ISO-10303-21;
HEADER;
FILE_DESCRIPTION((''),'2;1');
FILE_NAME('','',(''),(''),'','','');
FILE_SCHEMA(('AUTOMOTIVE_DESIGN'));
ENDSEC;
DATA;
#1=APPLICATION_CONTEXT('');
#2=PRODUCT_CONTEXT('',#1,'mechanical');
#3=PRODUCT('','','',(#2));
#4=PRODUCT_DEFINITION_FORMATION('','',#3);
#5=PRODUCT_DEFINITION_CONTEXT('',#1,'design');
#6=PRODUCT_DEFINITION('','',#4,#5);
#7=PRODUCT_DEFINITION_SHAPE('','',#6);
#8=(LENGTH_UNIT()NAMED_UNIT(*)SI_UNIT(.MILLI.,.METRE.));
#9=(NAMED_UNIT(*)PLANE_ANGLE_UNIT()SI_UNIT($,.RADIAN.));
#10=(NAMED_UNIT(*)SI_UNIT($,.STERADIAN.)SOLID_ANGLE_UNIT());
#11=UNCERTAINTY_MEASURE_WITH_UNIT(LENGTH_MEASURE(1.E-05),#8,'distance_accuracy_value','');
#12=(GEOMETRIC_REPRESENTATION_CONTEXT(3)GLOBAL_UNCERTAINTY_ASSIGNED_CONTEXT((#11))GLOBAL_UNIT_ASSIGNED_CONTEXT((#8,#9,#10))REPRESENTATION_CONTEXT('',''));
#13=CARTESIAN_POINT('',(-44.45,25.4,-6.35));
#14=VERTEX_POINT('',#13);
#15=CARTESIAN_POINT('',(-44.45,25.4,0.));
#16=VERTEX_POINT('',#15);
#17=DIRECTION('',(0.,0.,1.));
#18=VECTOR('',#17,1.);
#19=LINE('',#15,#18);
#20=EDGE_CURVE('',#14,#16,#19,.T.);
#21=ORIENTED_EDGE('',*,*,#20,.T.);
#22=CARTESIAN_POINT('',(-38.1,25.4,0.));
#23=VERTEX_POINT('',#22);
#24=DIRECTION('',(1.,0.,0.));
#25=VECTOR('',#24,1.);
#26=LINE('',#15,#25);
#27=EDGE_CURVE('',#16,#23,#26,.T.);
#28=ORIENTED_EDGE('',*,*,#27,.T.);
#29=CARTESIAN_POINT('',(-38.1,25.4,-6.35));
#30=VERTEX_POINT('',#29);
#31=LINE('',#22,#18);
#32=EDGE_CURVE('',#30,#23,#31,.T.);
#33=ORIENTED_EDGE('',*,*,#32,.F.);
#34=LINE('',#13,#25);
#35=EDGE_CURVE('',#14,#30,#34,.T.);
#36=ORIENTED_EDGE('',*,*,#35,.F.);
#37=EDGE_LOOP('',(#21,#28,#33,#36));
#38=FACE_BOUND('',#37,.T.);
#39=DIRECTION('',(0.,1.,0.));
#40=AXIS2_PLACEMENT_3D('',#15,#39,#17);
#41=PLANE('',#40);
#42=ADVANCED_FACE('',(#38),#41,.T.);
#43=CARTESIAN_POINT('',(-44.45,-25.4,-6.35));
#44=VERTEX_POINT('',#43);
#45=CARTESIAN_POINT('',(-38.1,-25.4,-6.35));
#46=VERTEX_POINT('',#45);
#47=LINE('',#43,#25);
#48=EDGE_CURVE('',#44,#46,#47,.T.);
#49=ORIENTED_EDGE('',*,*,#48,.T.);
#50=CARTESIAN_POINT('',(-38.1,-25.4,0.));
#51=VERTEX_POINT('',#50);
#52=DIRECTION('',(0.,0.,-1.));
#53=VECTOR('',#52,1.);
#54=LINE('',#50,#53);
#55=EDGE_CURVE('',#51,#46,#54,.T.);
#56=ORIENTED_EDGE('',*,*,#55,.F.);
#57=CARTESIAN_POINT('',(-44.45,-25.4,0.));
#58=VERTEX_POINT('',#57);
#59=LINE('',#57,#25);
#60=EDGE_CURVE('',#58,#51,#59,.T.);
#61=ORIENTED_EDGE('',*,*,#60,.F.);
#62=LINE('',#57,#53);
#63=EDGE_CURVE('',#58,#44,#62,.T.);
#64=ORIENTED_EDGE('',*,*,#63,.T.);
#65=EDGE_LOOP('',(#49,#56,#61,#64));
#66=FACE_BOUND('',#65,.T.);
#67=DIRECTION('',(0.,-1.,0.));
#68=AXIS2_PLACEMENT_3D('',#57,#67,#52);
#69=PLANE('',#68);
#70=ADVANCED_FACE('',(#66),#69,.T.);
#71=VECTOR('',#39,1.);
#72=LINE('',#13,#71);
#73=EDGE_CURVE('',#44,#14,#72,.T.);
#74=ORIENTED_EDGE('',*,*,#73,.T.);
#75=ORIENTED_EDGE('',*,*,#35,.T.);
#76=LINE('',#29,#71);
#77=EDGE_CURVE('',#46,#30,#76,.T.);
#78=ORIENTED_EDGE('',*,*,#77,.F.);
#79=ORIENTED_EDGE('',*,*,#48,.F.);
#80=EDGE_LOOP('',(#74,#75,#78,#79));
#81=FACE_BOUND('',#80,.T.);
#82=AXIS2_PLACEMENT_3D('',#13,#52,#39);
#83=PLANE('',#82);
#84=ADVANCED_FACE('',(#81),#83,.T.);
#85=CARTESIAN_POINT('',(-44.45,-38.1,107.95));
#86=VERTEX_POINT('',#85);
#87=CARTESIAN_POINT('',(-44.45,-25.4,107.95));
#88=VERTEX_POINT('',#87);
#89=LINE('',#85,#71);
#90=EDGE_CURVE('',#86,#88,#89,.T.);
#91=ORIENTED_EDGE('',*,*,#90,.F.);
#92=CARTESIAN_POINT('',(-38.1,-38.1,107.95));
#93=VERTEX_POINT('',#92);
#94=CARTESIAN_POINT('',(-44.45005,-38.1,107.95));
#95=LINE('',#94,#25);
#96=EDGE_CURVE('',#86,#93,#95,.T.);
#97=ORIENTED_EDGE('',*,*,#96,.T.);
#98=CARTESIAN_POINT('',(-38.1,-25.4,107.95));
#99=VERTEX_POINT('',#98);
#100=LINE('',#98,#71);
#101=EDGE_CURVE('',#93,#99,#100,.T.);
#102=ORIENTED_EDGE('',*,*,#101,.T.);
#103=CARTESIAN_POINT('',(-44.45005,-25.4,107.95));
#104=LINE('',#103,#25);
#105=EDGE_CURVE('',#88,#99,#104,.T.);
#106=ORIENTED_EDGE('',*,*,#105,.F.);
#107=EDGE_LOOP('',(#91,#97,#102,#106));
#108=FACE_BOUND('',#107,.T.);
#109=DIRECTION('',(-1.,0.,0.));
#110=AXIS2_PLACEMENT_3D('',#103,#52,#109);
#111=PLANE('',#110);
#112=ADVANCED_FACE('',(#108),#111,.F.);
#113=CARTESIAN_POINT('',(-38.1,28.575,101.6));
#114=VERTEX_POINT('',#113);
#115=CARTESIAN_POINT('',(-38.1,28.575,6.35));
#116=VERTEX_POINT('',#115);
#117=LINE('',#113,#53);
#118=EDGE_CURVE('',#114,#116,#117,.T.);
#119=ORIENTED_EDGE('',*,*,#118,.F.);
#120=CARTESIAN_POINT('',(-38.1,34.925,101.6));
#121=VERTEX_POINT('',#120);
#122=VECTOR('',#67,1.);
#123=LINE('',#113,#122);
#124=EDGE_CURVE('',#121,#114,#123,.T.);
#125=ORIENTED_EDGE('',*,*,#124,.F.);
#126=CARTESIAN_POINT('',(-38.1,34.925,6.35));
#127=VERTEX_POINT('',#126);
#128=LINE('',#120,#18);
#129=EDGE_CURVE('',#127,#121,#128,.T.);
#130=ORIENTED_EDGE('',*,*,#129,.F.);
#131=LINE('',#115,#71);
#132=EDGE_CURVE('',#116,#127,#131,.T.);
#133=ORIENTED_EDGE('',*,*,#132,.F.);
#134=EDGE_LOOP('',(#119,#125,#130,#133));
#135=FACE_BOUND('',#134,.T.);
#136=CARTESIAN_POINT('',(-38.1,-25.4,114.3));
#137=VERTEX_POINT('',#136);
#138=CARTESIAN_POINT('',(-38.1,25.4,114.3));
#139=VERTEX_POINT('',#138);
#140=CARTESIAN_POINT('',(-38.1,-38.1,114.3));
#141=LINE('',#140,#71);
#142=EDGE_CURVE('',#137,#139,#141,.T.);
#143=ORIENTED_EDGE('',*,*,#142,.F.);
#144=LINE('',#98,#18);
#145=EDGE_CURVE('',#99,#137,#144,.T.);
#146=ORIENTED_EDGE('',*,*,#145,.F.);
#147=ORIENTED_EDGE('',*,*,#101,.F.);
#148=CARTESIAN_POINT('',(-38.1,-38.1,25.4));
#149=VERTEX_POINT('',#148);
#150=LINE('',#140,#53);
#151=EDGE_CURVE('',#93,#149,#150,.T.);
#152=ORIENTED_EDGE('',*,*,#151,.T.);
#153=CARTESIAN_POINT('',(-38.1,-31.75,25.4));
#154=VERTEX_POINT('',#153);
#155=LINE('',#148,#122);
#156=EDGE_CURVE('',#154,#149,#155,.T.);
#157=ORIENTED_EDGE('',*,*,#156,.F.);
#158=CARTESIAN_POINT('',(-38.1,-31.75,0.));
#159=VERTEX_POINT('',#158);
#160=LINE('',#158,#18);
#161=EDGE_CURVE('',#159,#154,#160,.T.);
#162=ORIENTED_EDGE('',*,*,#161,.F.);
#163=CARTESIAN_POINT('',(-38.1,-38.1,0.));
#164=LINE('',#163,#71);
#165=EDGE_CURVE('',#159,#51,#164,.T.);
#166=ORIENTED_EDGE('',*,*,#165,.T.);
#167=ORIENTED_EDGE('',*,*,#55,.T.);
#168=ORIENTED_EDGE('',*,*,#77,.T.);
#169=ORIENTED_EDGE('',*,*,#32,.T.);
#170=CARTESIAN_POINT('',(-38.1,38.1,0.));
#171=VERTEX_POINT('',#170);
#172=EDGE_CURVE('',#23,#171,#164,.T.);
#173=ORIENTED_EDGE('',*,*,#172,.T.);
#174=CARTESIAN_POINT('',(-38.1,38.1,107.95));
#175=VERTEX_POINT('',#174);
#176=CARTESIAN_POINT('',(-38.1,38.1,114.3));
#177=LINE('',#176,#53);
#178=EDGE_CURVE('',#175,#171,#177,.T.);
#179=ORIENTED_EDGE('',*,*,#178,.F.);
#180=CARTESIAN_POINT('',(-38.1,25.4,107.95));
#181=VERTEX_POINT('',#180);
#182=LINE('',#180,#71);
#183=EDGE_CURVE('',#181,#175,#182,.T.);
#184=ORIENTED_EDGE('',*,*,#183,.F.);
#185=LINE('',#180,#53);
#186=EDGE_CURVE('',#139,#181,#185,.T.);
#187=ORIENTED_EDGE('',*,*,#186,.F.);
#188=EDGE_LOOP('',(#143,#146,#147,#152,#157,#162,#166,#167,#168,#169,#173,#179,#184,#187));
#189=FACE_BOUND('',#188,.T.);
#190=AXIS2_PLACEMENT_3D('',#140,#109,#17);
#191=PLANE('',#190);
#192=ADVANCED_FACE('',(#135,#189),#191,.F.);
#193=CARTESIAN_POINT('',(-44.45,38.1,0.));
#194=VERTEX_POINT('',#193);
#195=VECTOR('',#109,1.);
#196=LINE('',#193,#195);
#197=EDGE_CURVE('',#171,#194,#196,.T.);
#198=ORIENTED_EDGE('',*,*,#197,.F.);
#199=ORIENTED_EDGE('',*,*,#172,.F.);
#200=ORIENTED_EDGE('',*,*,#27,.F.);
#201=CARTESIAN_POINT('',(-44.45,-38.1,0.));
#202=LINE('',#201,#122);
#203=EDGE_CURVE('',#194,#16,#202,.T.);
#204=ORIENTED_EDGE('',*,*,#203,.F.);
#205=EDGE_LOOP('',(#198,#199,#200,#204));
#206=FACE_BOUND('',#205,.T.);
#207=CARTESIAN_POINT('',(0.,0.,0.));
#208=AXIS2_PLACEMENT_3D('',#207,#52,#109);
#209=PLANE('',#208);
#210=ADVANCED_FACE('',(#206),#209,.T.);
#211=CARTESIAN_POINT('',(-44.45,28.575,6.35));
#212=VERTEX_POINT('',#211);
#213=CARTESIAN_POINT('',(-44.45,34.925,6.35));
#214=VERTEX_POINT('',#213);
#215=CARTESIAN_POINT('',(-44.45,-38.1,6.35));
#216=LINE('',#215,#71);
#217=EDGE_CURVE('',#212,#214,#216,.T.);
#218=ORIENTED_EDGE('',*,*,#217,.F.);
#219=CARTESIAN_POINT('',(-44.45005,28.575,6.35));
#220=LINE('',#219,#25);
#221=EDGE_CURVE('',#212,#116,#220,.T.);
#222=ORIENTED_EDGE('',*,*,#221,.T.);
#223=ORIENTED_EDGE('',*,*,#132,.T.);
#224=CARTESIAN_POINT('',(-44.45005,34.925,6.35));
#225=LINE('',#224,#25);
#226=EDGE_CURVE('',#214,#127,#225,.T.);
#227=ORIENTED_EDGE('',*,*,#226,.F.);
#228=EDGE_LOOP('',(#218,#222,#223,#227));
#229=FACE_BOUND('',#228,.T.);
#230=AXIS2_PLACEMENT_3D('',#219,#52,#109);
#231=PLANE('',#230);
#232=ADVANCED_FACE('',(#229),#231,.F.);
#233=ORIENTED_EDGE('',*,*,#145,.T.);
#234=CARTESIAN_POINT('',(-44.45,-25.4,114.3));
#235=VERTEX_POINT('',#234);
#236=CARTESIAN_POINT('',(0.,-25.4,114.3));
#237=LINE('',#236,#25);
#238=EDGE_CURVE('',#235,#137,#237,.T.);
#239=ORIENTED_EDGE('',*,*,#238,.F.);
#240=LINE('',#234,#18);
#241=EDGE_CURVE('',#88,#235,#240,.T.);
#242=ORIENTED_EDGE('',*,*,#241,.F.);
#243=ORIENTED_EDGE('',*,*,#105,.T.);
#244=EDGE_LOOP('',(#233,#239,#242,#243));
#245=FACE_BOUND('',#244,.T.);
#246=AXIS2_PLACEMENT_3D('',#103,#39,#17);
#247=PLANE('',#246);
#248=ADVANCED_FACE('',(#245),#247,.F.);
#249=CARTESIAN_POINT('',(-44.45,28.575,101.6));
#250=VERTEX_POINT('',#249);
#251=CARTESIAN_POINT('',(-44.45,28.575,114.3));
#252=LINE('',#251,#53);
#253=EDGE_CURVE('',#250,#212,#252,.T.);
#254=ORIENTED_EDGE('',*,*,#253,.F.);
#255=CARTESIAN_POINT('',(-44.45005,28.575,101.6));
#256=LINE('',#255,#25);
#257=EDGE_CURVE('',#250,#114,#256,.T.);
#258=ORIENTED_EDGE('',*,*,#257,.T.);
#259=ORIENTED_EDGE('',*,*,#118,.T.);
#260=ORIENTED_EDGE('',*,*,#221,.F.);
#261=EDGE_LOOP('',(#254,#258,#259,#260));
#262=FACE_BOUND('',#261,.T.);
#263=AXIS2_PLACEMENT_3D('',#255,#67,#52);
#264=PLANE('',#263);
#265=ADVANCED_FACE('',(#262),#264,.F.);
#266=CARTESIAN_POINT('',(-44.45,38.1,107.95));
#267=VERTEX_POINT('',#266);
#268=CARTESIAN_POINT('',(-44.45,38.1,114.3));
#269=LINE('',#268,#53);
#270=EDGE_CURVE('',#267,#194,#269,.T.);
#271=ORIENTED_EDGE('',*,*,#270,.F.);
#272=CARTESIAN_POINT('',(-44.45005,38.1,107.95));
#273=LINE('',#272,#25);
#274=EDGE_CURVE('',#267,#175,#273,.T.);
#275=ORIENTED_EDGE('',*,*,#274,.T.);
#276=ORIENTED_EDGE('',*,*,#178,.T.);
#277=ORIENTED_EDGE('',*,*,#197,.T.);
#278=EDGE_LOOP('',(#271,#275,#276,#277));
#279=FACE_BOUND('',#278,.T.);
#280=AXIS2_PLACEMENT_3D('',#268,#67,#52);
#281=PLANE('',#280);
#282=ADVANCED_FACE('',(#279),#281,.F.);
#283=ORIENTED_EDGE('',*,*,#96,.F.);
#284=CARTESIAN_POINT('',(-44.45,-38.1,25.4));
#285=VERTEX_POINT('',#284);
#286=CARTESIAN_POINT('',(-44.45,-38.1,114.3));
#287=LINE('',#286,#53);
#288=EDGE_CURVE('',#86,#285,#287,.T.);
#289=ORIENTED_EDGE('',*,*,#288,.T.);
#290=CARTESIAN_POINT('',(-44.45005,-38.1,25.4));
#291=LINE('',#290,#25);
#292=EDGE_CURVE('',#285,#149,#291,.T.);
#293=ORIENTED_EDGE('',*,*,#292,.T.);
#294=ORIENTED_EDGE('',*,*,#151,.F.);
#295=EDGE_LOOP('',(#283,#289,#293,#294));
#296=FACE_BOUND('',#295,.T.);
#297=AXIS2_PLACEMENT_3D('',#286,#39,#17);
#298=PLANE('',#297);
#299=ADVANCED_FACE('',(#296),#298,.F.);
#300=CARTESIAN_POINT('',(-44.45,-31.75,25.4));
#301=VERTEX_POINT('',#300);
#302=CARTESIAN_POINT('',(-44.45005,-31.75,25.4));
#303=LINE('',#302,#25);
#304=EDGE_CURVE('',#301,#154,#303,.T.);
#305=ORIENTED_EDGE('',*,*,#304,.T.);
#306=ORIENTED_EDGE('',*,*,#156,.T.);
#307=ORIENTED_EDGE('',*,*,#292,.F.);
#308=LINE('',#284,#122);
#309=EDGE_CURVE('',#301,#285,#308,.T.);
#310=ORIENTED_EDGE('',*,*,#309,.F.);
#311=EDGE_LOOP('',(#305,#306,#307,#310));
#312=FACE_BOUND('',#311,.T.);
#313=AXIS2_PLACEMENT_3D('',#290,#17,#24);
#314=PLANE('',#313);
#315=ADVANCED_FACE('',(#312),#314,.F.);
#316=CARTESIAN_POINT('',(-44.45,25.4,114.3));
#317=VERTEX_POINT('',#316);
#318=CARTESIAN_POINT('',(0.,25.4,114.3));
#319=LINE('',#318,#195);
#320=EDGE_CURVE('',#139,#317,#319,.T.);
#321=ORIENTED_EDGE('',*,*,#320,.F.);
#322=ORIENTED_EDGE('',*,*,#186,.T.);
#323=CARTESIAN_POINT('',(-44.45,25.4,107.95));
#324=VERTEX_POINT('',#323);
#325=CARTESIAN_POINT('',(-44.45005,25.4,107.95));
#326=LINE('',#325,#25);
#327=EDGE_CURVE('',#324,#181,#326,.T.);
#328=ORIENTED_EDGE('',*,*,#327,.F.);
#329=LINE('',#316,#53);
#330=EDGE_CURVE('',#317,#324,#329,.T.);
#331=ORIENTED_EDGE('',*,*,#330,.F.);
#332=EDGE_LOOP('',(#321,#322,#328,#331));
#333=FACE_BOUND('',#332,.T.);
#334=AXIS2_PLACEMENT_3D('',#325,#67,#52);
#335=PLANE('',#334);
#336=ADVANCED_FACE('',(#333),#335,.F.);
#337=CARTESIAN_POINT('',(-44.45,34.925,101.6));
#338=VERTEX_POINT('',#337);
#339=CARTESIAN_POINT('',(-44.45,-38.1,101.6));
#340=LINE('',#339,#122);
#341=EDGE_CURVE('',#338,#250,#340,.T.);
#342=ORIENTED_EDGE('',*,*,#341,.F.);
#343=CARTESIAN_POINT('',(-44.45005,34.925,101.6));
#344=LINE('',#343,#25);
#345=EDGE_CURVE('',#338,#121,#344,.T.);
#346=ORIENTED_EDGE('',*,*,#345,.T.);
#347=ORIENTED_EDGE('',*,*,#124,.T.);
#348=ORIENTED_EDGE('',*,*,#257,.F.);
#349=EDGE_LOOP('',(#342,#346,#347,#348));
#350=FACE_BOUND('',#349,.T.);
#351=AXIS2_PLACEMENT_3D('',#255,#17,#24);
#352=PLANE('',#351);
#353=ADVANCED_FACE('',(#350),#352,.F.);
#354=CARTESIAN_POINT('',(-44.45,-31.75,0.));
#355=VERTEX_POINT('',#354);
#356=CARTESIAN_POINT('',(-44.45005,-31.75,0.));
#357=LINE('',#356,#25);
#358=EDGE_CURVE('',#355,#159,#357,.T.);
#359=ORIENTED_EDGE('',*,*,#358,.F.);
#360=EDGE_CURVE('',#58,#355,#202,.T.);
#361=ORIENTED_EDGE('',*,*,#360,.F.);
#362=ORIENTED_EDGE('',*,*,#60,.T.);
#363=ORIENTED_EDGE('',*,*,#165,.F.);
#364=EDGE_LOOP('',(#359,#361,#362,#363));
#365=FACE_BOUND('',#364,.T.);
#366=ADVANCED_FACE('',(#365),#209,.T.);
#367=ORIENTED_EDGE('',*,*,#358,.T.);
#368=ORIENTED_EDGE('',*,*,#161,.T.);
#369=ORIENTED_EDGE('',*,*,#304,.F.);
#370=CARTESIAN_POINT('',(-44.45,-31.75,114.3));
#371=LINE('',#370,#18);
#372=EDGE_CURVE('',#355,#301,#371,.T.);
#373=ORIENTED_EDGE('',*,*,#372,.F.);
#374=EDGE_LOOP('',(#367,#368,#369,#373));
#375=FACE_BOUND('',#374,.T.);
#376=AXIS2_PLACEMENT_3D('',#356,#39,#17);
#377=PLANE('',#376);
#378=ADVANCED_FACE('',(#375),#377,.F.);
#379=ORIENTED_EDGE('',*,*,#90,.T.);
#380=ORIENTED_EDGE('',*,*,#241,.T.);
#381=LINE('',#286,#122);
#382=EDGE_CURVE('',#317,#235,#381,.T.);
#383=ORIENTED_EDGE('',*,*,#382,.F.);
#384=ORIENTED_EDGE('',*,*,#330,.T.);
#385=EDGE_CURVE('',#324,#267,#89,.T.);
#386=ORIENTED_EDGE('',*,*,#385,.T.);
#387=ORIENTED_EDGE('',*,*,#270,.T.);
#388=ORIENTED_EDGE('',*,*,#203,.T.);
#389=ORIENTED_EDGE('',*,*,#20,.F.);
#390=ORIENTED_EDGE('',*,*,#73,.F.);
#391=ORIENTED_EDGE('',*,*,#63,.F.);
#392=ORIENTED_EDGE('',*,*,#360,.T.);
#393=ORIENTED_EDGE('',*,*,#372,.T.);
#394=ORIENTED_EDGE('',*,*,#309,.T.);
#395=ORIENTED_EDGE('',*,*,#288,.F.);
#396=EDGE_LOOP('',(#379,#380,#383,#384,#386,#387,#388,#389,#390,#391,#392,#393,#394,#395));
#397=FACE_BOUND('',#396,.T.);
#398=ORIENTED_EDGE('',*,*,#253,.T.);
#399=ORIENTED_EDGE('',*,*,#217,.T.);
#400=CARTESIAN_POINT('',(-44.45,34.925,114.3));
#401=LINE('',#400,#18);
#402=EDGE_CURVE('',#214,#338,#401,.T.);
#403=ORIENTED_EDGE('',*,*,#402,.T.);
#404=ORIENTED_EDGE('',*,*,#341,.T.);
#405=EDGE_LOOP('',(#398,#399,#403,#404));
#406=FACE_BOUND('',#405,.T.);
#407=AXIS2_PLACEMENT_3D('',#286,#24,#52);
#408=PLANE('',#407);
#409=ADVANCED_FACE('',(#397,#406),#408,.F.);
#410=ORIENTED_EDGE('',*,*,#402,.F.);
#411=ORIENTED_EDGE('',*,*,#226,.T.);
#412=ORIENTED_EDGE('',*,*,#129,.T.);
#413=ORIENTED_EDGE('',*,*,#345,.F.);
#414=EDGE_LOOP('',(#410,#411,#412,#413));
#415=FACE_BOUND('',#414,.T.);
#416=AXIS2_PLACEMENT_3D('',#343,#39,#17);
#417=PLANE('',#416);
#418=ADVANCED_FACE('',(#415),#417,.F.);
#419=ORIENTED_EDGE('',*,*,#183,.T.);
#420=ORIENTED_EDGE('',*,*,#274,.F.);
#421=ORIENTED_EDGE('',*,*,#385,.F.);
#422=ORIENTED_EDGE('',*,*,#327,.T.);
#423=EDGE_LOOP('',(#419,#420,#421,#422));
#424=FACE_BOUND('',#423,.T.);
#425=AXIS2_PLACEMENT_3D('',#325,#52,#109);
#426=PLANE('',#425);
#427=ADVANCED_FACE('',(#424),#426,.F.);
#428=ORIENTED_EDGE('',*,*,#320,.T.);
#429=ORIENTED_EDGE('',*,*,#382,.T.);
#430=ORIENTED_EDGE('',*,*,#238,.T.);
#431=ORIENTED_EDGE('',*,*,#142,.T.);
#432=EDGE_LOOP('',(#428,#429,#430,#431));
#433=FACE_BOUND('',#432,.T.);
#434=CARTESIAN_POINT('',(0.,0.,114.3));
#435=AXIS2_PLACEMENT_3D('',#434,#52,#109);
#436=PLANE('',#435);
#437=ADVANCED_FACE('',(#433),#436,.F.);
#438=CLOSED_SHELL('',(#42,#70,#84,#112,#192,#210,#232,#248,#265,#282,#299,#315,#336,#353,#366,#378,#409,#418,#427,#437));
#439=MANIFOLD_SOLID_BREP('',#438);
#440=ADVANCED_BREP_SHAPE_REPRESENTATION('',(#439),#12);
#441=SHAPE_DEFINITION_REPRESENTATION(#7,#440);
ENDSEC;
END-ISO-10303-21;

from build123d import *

# Parameters (mm, degrees)
SKETCH1_W           = 6.35
SKETCH1_H           = 76.2
BOSS_EXTRUDE1_DEPTH = 114.3
SKETCH2_W           = 6.35
SKETCH2_H           = 50.8
BOSS_EXTRUDE2_DEPTH = 6.35
SKETCH3_W           = 6.35
SKETCH3_H           = 12.7
SKETCH3_W_2         = 95.25
SKETCH3_H_2         = 6.35
SKETCH3_W_3         = 25.4
CUT_EXTRUDE1_DEPTH  = 121.65


with BuildPart() as part:
    # Sketch1 → Boss-Extrude1 (new body)
    with BuildSketch(Plane.XY):
        with Locations((-41.275, 0)):
            Rectangle(SKETCH1_W, SKETCH1_H)
    extrude(amount=BOSS_EXTRUDE1_DEPTH)

    # Sketch2 → Boss-Extrude2 (add, through all)
    with BuildSketch(Plane(origin=(-38.1, 0, 0), x_dir=(0, 0, -1), z_dir=(1, 0, 0))):
        with Locations((3.175, 0)):
            Rectangle(SKETCH2_W, SKETCH2_H)
    extrude(amount=-BOSS_EXTRUDE2_DEPTH)

    # Sketch3 → Cut-Extrude1 (cut, through all)
    with BuildSketch(Plane(origin=(-38.1, 0, 0), x_dir=(0, 0, -1), z_dir=(1, 0, 0))):
        with Locations((-111.125, -31.75)):
            Rectangle(SKETCH3_W, SKETCH3_H)
        with Locations((-111.125, 31.75)):
            Rectangle(SKETCH3_W, SKETCH3_H)
        with Locations((-53.975, 31.75)):
            Rectangle(SKETCH3_W_2, SKETCH3_H_2)
        with Locations((-12.7, -34.925)):
            Rectangle(SKETCH3_W_3, SKETCH3_H_2)
    extrude(amount=-CUT_EXTRUDE1_DEPTH, mode=Mode.SUBTRACT)


solid = part.part
